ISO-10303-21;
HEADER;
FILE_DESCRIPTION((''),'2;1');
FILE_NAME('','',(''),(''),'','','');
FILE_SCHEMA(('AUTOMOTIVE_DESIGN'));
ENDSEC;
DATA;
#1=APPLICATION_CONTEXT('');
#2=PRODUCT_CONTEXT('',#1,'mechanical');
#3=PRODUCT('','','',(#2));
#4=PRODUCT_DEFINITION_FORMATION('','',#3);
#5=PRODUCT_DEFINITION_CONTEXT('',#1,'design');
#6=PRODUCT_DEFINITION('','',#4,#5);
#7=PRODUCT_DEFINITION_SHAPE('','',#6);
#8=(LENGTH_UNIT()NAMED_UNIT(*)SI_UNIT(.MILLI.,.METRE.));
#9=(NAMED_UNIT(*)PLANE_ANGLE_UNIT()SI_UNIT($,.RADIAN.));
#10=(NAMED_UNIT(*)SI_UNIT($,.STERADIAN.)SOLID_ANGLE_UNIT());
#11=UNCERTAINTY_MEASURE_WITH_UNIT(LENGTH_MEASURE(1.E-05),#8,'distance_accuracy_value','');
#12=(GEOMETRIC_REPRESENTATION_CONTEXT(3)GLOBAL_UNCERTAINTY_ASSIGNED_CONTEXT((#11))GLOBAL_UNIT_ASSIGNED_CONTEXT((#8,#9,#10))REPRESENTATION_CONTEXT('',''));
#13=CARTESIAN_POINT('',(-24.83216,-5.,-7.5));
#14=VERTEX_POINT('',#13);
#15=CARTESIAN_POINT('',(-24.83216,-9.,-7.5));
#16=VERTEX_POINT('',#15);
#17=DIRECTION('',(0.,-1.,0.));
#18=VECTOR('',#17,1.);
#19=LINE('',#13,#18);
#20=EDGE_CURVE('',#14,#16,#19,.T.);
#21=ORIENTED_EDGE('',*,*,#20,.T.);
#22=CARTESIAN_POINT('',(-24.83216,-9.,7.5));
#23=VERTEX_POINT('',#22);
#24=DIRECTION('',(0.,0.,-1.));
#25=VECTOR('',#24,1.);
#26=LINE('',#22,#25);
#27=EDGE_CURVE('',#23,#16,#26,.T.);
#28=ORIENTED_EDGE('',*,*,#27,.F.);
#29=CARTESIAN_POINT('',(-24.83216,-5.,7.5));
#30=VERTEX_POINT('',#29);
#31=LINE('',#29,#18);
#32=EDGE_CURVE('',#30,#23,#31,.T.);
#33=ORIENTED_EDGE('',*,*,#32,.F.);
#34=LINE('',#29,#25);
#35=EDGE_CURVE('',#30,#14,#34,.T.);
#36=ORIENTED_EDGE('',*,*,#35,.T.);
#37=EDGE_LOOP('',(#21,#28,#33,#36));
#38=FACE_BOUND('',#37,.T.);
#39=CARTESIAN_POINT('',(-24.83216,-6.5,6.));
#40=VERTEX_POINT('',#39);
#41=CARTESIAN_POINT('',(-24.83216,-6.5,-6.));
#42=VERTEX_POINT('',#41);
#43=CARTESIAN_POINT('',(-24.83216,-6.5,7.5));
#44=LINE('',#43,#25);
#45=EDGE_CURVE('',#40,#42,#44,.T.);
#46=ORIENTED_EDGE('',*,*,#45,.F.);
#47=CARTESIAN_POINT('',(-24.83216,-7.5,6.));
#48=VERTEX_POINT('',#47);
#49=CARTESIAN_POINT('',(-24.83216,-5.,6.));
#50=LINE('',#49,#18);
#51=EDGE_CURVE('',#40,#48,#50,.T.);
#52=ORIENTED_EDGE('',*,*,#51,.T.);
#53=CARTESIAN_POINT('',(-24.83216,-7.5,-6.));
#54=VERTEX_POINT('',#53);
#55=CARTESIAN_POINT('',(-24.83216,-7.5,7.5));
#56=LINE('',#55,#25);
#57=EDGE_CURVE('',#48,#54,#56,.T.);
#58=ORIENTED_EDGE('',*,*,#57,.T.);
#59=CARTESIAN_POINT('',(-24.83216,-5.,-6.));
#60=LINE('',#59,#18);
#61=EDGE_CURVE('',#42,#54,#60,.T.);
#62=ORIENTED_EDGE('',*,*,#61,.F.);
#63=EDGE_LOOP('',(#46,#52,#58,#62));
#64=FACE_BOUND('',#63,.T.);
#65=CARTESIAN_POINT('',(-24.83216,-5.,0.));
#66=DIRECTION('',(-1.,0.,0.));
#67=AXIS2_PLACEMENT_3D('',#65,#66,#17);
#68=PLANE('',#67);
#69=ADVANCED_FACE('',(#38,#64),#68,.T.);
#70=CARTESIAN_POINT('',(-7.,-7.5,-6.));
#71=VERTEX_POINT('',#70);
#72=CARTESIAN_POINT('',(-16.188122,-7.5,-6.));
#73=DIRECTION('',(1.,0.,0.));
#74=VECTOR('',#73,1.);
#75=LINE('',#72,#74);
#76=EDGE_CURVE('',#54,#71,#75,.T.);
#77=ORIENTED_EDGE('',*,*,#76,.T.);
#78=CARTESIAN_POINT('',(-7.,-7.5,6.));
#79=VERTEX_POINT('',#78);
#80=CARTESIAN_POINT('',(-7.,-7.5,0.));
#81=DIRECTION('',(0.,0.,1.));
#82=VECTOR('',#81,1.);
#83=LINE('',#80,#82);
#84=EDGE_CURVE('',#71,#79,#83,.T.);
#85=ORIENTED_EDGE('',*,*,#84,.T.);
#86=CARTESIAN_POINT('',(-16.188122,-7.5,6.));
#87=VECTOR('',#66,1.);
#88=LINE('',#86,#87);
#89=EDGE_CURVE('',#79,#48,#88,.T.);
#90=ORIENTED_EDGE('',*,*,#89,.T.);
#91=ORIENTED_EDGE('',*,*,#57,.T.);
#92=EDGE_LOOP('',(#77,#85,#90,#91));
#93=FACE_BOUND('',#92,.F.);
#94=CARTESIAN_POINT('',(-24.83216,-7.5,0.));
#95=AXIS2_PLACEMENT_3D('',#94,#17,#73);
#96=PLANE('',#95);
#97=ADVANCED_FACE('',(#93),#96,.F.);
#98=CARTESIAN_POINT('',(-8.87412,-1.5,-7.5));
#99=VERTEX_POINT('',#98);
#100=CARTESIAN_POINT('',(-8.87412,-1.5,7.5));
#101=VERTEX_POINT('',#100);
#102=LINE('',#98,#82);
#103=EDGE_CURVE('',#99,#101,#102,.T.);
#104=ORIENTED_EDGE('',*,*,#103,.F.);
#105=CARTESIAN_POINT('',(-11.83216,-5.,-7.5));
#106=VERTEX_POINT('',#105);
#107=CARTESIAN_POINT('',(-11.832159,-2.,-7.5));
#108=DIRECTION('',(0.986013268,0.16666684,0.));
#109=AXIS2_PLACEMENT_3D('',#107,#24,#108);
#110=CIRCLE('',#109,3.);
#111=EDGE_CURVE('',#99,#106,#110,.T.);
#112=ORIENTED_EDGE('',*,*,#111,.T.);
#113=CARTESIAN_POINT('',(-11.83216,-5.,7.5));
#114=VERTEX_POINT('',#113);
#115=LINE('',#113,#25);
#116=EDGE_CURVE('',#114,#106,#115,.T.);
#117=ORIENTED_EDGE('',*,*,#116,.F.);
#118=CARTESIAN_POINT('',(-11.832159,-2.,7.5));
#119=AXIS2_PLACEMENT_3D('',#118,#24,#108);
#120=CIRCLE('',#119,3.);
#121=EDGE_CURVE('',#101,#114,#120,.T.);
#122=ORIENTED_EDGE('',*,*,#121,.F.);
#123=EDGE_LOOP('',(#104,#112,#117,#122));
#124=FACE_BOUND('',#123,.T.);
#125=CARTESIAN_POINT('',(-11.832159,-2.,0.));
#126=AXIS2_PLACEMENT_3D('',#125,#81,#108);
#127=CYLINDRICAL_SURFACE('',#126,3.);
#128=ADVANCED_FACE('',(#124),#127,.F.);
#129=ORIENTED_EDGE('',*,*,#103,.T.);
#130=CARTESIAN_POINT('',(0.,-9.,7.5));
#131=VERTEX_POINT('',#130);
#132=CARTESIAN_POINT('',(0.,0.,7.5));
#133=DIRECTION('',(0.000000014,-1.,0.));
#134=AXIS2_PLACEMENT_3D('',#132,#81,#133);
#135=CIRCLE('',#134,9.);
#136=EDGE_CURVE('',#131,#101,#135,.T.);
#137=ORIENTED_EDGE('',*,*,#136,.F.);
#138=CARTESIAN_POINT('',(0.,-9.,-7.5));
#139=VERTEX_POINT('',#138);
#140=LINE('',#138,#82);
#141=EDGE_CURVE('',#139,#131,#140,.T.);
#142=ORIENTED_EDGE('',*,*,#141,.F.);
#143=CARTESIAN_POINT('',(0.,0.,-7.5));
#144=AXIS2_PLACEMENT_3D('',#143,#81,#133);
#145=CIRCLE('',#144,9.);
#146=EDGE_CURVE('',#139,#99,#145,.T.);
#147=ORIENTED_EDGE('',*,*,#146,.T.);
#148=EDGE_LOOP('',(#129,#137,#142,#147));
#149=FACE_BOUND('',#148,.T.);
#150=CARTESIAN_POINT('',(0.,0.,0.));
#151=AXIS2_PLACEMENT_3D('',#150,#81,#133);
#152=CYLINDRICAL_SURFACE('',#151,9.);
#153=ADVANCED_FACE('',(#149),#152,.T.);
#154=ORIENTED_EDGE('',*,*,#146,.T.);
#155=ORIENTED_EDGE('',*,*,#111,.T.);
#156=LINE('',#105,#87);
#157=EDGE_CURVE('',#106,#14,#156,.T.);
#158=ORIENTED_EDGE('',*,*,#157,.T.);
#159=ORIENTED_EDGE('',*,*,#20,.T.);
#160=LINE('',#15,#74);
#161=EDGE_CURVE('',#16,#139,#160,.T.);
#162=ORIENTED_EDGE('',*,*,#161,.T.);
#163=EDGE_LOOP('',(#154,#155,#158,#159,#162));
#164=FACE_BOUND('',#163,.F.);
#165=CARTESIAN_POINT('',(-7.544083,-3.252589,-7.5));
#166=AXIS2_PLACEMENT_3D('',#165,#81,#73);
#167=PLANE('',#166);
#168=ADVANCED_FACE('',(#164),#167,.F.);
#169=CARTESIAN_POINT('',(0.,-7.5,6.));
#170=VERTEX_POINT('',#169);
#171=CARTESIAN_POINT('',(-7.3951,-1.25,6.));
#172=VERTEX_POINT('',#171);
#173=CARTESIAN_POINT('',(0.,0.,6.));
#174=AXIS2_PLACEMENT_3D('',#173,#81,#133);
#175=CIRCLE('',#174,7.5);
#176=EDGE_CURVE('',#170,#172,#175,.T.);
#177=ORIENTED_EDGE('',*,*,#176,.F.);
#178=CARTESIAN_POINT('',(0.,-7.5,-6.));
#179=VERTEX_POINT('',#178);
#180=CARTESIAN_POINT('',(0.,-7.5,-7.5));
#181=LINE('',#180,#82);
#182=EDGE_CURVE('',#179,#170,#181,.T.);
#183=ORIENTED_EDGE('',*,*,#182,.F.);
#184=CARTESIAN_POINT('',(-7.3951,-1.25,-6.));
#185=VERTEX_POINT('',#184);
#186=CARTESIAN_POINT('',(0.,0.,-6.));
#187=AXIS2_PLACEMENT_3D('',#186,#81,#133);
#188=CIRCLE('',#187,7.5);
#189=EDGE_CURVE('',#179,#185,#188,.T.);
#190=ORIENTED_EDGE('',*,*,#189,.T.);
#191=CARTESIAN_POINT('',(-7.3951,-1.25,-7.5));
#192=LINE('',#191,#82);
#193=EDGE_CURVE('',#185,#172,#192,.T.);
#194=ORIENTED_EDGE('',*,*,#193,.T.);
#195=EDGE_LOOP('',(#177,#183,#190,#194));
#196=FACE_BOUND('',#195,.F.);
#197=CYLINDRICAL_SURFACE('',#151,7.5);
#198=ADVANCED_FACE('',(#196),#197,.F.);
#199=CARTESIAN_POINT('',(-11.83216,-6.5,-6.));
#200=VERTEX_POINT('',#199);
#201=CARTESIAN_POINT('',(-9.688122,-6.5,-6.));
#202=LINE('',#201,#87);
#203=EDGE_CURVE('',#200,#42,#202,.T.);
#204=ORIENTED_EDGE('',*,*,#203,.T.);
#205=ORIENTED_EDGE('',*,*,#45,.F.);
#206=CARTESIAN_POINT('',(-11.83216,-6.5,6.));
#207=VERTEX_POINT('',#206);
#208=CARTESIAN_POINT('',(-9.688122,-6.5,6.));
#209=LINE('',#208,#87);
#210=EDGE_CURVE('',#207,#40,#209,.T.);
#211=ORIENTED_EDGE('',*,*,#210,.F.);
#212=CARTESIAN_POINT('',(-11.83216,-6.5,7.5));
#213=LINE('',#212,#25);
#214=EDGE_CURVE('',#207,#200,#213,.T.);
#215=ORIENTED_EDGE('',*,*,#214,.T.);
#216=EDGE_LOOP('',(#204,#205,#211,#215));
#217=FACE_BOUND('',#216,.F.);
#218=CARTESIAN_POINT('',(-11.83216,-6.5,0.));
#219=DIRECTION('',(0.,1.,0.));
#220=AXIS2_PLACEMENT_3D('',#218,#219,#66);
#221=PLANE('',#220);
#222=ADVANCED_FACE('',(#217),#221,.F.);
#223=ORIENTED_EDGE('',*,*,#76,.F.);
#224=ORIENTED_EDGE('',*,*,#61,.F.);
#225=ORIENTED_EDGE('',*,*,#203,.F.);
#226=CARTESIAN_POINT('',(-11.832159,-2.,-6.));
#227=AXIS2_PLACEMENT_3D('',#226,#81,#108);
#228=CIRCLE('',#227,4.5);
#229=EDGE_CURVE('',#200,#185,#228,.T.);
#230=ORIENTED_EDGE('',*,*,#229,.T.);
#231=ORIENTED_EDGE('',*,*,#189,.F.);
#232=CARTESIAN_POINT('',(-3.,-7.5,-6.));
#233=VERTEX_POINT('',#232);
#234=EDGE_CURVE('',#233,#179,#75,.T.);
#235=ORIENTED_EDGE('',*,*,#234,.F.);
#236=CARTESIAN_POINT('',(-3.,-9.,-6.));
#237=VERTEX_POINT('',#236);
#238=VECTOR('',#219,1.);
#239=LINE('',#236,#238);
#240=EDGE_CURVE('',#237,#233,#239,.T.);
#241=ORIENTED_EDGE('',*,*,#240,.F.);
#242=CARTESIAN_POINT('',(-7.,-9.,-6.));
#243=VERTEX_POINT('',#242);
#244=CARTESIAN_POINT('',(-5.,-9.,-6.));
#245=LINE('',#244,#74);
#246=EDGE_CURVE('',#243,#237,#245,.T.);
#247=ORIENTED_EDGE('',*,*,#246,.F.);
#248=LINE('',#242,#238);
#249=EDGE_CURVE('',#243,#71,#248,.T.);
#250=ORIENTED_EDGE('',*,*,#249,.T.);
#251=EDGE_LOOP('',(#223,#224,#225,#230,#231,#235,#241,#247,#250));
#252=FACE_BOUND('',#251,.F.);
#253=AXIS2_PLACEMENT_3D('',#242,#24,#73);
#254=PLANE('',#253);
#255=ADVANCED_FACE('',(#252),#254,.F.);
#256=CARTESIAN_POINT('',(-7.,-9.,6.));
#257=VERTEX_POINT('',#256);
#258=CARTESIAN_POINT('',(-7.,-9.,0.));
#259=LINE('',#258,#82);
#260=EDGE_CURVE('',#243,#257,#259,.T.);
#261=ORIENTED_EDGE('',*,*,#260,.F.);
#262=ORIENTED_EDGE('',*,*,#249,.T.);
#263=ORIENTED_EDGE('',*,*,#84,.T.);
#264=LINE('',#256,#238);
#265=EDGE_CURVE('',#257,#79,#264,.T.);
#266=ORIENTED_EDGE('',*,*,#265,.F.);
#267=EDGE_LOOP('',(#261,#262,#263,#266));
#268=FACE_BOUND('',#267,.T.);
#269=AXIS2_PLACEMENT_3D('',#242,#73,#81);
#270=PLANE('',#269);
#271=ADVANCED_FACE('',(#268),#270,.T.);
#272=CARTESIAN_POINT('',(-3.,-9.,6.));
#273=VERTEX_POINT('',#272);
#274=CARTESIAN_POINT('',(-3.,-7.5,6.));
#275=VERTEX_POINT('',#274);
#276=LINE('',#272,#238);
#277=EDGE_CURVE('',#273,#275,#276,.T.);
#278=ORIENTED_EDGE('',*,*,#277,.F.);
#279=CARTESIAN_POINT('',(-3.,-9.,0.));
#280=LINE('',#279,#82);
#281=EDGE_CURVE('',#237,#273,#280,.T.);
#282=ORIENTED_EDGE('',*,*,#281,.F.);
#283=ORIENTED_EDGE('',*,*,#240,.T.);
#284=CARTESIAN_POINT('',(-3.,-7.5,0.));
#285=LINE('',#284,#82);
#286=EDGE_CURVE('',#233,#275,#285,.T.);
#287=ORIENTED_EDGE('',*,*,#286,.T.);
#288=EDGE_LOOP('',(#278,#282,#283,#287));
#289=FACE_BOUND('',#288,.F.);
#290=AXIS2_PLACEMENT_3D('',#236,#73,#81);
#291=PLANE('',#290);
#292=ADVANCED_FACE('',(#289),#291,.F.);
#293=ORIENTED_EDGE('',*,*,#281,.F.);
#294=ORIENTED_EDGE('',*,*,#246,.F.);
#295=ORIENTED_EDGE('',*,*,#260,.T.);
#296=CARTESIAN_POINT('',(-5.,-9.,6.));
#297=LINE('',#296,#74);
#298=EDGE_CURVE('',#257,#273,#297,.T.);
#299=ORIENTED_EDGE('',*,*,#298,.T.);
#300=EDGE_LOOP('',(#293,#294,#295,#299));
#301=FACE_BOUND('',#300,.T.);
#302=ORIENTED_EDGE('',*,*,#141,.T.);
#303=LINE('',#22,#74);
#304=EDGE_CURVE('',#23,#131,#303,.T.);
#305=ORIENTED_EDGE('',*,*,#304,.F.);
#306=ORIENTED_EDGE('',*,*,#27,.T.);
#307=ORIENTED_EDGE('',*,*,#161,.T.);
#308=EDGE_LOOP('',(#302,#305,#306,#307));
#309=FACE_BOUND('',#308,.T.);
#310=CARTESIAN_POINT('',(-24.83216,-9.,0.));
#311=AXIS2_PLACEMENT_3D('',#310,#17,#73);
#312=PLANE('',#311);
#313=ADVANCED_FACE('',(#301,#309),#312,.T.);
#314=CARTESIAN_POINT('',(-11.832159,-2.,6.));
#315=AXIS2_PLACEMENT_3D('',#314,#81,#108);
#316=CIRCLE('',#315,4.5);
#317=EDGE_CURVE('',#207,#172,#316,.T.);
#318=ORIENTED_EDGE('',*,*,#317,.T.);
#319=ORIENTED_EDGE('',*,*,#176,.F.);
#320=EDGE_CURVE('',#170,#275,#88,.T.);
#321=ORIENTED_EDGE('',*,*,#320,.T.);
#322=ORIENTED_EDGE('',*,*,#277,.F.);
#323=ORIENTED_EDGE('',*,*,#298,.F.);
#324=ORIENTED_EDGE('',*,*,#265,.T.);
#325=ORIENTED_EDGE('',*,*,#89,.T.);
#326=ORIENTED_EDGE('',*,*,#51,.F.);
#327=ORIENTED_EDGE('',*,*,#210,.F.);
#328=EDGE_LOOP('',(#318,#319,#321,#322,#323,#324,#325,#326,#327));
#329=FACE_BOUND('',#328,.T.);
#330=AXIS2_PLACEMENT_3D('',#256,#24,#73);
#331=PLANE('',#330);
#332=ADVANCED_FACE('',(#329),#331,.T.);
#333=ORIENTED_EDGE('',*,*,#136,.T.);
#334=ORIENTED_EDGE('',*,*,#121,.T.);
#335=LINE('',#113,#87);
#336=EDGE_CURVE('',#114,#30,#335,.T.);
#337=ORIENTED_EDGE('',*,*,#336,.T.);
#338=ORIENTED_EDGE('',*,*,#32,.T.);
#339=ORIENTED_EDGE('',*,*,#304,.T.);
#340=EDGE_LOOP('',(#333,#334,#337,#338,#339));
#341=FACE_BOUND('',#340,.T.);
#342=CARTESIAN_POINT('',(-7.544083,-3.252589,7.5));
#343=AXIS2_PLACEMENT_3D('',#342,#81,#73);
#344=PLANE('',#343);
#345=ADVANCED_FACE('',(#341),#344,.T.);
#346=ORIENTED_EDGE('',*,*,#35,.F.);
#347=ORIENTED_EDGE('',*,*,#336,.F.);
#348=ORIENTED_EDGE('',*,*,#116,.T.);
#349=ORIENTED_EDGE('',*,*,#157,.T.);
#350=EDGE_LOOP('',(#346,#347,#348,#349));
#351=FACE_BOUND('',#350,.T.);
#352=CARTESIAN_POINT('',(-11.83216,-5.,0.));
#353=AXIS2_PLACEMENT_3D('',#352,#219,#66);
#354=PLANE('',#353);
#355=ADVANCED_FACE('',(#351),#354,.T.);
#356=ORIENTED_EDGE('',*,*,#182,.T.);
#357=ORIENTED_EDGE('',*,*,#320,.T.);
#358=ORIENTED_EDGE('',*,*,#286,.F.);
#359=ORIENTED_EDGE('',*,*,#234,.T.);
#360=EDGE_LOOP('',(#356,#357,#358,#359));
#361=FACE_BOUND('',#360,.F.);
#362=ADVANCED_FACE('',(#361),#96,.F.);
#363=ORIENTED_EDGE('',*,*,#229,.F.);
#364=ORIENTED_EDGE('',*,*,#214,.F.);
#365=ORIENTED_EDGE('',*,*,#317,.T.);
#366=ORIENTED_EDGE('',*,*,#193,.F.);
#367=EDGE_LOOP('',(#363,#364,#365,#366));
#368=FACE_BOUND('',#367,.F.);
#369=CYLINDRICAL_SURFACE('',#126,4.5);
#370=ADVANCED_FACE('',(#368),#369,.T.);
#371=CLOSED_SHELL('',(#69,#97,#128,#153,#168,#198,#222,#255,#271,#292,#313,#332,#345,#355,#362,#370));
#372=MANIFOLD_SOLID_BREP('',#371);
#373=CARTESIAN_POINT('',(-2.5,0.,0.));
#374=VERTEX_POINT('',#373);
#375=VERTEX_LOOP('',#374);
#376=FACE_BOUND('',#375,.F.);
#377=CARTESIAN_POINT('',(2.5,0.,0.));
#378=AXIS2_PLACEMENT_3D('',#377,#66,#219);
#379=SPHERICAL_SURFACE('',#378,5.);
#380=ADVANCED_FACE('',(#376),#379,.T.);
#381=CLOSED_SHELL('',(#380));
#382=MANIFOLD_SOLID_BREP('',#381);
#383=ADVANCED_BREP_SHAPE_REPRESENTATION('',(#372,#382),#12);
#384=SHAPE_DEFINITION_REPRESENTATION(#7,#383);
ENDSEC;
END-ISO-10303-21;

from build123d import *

# Parameters (mm, degrees)
F1_DEPTH = 7.5
F2_T     = -1.5
F3_W     = 4
F3_H     = 12
F4_DEPTH = 1.5


with BuildPart() as f1:
    # F0 (on Top) → F1 (new body, symmetric)
    with BuildSketch(Plane.XY):
        with BuildLine():
            Line((-24.83216, -9), (0, -9))
            ThreePointArc((0, -9), (5.809475, 6.873864), (-8.87412, -1.5))
            ThreePointArc((-8.87412, -1.5), (-9.540872, -3.936492), (-11.83216, -5))
            Line((-11.83216, -5), (-24.83216, -5))
            Line((-24.83216, -5), (-24.83216, -9))
        make_face()
    extrude(amount=F1_DEPTH, both=True)

    # F2
    f2_openings = [f1.faces().sort_by_distance(p)[0] for p in [
        (-24.83216, -7, 0),
    ]]
    offset(amount=F2_T, openings=f2_openings)

    # F3 (on face) → F4 (cut)
    with BuildSketch(Plane.XZ.offset(9)):
        with Locations((-5, 0)):
            Rectangle(F3_W, F3_H)
    extrude(amount=-F4_DEPTH, mode=Mode.SUBTRACT)


with BuildPart() as f6:
    # F5 (on Top) → F6 (revolve)
    with BuildSketch(Plane.XY):
        with BuildLine():
            ThreePointArc((7.5, 0), (2.5, 5), (-2.5, 0))
            Line((-2.5, 0), (7.5, 0))
        make_face()
    revolve(axis=Axis((2.5, 0, 0), (1, 0, 0)))


solid = Compound([f1.part, f6.part])
